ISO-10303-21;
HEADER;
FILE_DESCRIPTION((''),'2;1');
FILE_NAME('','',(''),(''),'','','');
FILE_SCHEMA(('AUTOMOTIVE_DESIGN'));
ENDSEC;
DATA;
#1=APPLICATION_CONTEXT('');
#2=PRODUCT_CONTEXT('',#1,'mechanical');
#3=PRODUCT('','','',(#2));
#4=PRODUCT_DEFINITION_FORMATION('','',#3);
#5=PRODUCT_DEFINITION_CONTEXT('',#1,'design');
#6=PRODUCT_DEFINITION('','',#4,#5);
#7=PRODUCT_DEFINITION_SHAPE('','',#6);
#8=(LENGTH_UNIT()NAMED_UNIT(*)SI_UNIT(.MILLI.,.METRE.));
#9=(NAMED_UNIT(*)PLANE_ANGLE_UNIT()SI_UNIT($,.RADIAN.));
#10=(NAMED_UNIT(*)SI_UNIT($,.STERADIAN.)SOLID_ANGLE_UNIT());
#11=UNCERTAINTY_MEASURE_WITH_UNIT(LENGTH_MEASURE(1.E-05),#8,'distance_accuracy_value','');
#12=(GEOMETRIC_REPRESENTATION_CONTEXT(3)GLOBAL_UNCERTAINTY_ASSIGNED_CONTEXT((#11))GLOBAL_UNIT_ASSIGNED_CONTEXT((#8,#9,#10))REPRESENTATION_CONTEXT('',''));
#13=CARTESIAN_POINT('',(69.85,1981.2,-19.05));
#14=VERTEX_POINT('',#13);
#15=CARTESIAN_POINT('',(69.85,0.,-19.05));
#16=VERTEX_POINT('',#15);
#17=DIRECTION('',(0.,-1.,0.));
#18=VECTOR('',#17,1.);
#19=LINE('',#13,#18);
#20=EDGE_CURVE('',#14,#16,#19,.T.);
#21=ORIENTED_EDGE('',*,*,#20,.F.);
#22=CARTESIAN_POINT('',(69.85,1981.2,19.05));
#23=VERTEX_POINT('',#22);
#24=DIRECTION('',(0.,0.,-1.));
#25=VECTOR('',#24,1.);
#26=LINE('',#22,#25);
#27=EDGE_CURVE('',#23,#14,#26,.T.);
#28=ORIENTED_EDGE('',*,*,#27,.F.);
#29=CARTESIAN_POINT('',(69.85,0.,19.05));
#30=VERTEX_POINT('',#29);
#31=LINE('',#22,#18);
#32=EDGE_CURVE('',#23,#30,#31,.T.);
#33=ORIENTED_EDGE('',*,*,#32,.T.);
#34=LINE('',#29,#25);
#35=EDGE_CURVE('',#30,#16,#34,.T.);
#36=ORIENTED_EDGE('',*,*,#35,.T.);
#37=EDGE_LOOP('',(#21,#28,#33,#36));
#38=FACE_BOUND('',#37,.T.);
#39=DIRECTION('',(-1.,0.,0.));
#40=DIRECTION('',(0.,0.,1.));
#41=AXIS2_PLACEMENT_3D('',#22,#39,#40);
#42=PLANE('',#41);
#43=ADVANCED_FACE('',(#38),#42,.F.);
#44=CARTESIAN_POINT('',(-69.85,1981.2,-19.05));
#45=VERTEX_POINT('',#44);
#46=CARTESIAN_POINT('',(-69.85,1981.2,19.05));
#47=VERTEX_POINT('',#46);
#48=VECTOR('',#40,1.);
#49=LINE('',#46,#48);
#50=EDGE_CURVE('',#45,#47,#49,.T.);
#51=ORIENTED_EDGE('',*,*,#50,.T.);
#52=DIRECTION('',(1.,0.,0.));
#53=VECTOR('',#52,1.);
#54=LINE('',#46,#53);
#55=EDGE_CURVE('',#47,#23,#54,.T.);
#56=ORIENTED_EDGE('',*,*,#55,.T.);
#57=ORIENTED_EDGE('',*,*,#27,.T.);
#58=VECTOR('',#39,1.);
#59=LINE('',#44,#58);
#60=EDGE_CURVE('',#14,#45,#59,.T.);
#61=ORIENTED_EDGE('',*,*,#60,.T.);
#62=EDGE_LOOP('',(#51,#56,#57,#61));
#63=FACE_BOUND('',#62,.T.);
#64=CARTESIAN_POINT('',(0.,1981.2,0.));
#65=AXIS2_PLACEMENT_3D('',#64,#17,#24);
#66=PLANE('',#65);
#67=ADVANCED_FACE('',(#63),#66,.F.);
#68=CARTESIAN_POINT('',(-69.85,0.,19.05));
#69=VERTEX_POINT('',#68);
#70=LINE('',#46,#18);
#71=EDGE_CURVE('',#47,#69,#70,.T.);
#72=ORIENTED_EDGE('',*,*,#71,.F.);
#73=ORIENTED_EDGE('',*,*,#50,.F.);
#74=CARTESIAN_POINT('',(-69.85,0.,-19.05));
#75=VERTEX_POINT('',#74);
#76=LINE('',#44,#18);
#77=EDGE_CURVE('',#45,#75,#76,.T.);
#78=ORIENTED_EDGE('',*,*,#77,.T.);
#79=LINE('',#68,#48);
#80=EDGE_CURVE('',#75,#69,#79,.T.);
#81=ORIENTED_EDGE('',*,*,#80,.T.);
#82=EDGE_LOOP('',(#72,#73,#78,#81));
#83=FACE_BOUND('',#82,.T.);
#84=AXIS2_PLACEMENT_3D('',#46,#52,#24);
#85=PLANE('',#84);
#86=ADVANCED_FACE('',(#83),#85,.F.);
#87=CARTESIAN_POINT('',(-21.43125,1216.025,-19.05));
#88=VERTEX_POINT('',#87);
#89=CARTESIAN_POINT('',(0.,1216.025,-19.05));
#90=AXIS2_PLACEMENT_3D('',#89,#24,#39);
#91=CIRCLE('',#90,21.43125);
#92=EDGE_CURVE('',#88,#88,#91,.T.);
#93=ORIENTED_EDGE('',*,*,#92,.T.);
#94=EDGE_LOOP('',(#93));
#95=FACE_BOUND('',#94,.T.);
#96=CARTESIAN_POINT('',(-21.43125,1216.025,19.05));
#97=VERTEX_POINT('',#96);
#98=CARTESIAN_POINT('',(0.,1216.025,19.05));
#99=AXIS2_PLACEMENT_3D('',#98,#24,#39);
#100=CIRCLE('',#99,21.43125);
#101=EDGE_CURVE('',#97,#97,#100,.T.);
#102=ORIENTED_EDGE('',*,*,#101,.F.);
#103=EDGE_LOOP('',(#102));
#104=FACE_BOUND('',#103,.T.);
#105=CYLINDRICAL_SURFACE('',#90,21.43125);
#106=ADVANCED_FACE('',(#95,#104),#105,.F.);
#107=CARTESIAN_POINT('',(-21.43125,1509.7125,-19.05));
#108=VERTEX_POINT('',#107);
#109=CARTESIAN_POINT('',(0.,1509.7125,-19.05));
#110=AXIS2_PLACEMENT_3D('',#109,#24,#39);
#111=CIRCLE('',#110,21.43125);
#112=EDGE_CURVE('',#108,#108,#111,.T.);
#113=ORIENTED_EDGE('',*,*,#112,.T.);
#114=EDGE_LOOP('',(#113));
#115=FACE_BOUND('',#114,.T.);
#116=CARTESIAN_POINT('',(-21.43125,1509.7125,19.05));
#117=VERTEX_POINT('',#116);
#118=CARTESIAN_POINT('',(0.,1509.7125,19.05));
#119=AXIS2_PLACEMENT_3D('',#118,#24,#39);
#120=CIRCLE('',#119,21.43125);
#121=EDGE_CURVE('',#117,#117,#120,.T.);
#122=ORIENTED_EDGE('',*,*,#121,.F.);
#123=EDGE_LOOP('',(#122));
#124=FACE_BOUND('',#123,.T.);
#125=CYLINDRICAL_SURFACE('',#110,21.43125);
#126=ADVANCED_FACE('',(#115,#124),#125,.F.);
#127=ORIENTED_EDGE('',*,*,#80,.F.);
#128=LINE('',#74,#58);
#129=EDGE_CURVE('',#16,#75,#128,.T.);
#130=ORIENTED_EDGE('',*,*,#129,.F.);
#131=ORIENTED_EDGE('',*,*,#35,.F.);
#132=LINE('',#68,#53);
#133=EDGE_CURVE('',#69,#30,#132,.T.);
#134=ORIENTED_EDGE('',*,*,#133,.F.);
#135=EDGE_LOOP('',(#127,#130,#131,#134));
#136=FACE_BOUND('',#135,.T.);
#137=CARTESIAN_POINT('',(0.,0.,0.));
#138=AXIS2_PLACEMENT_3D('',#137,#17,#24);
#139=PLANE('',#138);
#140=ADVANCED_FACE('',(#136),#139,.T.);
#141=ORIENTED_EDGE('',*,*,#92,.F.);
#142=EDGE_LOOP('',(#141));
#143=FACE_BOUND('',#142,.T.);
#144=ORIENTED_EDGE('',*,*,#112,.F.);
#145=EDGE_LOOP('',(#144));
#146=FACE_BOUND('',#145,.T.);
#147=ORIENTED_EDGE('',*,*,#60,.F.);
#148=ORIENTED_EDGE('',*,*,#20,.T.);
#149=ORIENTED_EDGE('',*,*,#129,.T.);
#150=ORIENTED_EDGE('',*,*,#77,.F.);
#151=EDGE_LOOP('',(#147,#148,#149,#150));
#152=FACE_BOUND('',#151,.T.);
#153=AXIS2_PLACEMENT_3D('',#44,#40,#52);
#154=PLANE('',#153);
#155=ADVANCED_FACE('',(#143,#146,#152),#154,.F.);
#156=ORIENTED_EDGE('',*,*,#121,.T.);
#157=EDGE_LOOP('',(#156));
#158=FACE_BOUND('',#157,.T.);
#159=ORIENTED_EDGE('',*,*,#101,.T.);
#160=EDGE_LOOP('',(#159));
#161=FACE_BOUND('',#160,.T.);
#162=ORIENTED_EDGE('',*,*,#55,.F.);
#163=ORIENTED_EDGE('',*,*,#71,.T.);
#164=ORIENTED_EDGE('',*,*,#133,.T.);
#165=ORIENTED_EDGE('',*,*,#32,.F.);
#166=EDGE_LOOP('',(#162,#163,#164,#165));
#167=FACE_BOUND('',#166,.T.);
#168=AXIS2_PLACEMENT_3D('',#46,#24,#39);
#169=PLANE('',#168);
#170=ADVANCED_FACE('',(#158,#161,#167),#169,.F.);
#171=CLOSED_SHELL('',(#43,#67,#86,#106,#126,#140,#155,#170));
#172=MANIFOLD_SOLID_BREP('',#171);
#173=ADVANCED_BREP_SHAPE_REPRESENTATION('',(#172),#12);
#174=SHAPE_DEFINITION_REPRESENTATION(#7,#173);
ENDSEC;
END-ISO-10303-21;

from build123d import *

# Parameters (mm, degrees)
SKETCH1_W                   = 139.7
SKETCH1_H                   = 38.1
BOSS_EXTRUDE1_DEPTH         = 1981.2
F_1_1_6875_DIAMETER_HOLE1_D = 42.8625


with BuildPart() as part:
    # Sketch1 → Boss-Extrude1 (new body)
    with BuildSketch(Plane(origin=(0, 0, 0), x_dir=(1, 0, 0), z_dir=(0, 1, 0))):
        Rectangle(SKETCH1_W, SKETCH1_H)
    extrude(amount=BOSS_EXTRUDE1_DEPTH)

    # 1 (1.6875) Diameter Hole1 (through all)
    with Locations(Plane(origin=(0, 0, -19.05), x_dir=(-1, 0, 0), z_dir=(0, 0, -1))):
        with Locations((0, 1216.025), (0, 1509.7125)):
            Hole(F_1_1_6875_DIAMETER_HOLE1_D / 2)


solid = part.part
